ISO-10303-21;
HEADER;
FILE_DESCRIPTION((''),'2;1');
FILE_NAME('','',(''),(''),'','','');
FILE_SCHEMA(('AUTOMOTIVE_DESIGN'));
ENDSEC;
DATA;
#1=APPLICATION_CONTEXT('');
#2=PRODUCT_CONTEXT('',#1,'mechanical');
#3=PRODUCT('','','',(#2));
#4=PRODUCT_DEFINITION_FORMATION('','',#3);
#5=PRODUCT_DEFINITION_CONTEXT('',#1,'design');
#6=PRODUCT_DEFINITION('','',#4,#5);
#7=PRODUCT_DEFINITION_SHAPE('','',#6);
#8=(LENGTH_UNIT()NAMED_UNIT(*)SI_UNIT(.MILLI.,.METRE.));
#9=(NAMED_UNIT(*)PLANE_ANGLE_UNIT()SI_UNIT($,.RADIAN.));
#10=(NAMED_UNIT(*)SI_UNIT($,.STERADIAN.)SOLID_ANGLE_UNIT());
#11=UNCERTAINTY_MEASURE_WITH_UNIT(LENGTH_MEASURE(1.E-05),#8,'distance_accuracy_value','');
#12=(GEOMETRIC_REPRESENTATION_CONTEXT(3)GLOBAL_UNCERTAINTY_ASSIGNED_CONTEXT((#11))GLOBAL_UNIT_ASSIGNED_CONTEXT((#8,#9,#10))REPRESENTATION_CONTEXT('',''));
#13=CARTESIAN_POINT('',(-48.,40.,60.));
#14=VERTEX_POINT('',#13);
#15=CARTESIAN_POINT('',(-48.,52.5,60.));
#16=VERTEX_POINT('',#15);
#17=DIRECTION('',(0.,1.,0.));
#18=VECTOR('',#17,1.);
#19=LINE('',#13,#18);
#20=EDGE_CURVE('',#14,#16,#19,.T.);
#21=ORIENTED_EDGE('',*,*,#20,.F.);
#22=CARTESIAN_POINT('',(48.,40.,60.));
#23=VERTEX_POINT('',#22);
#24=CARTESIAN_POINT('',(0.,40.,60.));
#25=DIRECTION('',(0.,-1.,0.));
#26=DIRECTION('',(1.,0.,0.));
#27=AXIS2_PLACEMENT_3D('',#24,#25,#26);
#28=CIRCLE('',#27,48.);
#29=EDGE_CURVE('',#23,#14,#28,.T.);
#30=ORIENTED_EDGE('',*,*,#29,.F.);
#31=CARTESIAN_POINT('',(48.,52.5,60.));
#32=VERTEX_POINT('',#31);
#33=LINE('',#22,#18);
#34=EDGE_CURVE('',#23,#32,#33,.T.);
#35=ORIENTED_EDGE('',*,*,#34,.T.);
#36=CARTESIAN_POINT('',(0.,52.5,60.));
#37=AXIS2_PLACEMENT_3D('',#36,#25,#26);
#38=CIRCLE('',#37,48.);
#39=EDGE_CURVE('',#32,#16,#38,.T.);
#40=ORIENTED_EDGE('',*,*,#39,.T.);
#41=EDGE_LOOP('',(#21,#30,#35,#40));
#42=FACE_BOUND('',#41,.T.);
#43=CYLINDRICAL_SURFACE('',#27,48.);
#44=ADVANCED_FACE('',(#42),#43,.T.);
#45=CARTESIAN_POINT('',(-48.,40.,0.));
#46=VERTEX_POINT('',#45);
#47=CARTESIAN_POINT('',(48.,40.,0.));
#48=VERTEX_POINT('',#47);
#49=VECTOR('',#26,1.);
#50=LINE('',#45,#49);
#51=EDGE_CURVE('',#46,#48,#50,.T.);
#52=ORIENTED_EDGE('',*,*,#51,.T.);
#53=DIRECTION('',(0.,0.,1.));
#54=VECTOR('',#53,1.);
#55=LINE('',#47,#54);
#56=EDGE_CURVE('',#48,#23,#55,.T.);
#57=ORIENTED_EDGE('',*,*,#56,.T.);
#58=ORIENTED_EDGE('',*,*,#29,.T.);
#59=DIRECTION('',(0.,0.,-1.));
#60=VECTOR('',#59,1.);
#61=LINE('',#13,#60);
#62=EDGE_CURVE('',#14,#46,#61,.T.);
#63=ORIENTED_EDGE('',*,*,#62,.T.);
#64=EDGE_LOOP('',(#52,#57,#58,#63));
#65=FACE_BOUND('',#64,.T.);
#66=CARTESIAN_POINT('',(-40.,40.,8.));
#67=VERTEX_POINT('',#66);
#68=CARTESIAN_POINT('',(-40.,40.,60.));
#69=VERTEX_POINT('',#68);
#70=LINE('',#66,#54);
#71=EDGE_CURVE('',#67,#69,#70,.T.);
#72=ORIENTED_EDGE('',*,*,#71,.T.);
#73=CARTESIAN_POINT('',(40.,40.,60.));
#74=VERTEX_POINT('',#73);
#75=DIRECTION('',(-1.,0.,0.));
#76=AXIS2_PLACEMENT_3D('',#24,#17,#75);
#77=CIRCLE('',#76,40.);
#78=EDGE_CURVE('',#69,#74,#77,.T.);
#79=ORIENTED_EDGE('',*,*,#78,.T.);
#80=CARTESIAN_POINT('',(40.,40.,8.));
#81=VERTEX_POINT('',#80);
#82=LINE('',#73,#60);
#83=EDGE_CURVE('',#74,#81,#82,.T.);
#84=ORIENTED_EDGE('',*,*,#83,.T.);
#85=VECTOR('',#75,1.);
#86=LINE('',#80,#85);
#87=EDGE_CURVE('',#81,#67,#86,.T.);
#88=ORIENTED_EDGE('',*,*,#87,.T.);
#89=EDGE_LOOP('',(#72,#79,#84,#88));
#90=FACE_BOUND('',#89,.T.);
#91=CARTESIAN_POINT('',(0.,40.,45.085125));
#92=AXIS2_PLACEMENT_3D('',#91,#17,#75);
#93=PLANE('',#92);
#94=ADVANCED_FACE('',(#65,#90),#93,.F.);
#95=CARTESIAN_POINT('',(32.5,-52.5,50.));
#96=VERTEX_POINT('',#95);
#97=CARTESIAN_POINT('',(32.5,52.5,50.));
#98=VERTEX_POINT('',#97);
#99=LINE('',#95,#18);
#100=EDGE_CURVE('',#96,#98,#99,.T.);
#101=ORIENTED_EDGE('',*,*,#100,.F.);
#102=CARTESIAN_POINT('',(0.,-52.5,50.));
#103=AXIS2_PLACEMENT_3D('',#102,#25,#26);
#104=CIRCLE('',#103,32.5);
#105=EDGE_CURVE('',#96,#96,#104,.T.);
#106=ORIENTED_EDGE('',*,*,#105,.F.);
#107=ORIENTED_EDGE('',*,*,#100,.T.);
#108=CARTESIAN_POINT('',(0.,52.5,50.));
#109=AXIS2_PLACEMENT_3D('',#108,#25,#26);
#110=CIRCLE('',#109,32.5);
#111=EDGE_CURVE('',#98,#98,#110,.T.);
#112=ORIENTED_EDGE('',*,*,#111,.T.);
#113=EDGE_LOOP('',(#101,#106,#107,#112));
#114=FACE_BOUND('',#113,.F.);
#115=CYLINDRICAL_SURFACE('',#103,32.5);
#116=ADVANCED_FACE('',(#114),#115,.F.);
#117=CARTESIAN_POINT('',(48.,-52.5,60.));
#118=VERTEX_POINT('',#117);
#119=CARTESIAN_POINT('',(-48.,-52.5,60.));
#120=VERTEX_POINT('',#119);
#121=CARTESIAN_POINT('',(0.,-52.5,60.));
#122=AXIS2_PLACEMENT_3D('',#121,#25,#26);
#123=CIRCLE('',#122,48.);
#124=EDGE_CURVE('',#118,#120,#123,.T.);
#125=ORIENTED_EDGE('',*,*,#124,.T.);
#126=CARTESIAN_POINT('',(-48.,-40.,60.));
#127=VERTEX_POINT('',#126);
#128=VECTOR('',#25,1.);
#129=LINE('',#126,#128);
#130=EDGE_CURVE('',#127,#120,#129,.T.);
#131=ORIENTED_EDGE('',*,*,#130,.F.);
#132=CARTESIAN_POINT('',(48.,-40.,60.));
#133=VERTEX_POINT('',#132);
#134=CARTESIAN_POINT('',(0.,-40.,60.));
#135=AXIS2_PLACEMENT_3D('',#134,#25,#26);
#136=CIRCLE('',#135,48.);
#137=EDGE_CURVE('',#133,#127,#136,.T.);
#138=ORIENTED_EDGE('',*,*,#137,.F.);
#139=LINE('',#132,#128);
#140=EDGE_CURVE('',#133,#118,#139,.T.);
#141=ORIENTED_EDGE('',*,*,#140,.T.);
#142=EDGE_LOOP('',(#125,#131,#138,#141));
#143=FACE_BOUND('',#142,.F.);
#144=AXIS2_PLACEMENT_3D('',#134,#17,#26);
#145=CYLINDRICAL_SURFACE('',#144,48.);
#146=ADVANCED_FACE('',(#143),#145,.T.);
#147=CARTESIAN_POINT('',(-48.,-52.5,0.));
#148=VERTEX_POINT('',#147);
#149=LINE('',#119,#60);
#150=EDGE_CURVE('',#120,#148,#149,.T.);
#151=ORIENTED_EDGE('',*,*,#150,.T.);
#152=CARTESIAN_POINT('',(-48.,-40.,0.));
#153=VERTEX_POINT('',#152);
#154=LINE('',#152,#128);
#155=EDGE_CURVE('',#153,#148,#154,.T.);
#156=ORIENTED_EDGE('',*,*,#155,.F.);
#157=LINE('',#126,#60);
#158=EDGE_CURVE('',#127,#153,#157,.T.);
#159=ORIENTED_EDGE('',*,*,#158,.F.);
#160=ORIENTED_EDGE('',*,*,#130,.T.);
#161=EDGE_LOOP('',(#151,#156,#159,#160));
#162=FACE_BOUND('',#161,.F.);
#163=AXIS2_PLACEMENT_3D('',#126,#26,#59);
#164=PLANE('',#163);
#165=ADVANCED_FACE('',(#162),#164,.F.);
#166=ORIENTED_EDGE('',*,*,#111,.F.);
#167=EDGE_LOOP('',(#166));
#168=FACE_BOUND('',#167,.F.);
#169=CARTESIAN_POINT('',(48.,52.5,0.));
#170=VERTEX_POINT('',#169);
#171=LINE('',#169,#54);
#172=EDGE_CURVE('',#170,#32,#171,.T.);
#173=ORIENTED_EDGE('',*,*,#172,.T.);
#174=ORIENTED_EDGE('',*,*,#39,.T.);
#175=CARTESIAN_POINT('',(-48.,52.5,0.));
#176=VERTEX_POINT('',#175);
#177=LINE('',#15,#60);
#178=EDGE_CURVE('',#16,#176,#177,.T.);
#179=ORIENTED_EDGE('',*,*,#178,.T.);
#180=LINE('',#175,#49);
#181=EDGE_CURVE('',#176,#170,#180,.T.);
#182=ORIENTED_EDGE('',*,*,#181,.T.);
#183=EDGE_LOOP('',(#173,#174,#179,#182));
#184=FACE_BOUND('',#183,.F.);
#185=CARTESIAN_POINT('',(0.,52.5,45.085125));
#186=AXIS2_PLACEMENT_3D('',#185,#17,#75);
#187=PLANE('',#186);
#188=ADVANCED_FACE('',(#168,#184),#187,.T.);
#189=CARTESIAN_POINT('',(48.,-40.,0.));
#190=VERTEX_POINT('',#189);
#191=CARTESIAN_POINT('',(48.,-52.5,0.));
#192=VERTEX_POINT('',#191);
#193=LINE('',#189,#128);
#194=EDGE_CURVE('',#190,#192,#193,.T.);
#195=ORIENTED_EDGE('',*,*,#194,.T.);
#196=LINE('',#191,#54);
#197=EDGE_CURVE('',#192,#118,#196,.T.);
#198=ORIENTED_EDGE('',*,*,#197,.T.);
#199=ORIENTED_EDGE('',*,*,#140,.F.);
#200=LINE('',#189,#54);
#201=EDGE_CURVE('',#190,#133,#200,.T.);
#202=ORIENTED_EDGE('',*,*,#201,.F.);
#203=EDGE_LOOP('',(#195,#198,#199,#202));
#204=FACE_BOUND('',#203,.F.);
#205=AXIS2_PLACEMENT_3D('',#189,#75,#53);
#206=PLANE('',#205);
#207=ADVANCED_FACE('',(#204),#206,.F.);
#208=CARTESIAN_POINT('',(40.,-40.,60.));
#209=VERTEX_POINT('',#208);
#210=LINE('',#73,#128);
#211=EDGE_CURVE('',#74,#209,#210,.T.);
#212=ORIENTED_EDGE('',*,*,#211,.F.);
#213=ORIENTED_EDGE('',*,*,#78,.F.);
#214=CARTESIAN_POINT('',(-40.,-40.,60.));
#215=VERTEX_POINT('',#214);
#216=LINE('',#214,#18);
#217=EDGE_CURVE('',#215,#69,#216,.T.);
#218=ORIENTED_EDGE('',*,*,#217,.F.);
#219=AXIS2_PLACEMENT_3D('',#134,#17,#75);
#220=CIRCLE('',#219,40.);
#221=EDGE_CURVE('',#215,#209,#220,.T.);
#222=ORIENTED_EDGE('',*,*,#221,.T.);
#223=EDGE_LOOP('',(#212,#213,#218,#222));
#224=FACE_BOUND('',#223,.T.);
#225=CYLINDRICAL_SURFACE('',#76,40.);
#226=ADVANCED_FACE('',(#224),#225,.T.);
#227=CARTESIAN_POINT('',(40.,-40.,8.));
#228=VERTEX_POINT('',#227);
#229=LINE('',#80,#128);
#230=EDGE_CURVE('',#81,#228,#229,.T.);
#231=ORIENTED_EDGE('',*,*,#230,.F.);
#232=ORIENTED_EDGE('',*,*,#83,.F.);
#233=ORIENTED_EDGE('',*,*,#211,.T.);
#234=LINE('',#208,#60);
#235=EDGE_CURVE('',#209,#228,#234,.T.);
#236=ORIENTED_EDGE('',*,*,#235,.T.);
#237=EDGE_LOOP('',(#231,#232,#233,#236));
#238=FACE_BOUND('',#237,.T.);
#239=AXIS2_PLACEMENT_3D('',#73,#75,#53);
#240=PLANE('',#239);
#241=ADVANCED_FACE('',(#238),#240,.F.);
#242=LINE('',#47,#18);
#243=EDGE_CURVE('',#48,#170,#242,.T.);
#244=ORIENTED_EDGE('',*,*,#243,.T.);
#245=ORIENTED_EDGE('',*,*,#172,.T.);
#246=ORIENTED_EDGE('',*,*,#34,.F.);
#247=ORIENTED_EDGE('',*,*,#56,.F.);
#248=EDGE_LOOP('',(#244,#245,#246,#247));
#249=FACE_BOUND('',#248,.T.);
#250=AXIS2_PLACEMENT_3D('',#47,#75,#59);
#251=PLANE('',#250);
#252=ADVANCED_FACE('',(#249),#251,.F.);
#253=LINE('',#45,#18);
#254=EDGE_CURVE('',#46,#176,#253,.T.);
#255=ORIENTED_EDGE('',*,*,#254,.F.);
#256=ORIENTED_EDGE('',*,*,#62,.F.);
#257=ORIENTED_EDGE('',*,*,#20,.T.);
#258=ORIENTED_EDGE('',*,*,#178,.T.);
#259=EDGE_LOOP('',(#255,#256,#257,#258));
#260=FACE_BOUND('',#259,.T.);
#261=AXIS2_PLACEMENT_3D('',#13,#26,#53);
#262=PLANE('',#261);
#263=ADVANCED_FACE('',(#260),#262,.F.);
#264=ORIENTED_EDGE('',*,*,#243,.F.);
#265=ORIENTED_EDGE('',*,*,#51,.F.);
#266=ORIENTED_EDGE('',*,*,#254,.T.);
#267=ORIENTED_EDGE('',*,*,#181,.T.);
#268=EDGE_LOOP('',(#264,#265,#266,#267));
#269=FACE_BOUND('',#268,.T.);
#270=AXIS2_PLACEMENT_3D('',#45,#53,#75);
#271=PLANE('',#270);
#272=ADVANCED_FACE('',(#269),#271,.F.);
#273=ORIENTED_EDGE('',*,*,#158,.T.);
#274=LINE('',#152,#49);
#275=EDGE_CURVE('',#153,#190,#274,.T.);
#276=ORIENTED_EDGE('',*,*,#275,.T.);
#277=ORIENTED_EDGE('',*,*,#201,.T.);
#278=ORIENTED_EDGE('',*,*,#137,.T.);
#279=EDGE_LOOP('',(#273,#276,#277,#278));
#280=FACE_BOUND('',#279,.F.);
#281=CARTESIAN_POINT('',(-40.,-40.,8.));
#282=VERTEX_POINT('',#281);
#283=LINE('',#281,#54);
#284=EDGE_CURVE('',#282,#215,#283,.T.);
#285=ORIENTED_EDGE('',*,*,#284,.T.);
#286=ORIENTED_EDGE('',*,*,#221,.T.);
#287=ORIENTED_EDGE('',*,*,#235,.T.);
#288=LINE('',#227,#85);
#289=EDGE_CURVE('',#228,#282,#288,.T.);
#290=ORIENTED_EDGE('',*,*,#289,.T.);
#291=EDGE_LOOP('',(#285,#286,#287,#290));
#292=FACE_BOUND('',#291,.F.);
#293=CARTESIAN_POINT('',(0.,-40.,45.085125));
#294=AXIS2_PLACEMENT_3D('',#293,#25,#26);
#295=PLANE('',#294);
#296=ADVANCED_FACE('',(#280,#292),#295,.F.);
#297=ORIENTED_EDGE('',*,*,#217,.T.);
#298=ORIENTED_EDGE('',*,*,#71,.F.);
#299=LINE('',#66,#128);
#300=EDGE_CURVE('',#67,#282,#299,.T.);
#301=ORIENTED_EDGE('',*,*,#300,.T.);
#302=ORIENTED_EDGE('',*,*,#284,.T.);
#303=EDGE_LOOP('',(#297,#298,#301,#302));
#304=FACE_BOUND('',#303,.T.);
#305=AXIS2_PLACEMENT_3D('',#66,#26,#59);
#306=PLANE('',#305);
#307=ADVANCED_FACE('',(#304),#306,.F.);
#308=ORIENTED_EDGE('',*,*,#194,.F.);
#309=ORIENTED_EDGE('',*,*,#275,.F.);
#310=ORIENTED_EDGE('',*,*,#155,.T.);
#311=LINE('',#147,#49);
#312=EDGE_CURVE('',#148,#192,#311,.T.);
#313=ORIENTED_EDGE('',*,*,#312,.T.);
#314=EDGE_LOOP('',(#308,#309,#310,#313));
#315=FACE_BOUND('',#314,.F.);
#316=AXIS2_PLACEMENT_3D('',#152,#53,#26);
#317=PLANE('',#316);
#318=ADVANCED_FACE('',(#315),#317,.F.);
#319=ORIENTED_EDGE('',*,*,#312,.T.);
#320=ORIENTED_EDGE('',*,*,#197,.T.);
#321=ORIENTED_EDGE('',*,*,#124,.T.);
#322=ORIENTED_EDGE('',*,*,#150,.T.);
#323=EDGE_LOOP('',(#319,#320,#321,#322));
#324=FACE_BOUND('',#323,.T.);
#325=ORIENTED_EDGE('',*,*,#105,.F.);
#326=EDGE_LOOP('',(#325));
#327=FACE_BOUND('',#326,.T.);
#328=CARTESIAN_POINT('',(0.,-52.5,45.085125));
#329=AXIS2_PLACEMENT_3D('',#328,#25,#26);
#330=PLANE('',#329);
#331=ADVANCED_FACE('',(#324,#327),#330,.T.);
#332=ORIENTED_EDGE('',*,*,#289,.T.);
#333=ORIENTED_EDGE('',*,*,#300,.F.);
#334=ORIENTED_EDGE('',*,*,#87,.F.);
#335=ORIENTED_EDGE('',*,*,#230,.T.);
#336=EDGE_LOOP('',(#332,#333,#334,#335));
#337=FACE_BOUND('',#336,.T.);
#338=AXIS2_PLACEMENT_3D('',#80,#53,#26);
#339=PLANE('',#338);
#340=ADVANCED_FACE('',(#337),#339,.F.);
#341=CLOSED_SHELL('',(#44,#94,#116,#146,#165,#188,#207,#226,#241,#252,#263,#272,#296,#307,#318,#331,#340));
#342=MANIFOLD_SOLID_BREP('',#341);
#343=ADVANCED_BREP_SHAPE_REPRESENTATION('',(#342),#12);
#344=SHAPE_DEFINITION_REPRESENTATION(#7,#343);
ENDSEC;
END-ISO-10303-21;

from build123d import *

# Parameters (mm, degrees)
F2_DEPTH = 12.5
F4_DEPTH = 40
F6_R     = 32.5
F7_DEPTH = 105.001


with BuildPart() as f2:
    # F1 (on offset) → F2 (new body)
    with BuildSketch(Plane.XZ.offset(40)):
        with BuildLine():
            Line((48, 0), (48, 60))
            ThreePointArc((48, 60), (0, 108), (-48, 60))
            Line((-48, 60), (-48, 0))
            Line((-48, 0), (48, 0))
        make_face()
    extrude(amount=F2_DEPTH)

    # F3 (on face) → F4 (join, through all)
    with BuildSketch(Plane(origin=(0, -40, 0), x_dir=(-1, 0, 0), z_dir=(0, 1, 0))):
        with BuildLine():
            ThreePointArc((40, 60), (0, 100), (-40, 60))
            Line((-40, 60), (-40, 8))
            Line((-40, 8), (40, 8))
            Line((40, 8), (40, 60))
        make_face()
    extrude(amount=F4_DEPTH)

    # F5: F2 across plane


with BuildPart() as f2_1:
    add(f2.part)
    add(f2.part.mirror(Plane.XZ))

    # F6 (on face) → F7 (cut, through all)
    with BuildSketch(Plane.XZ.offset(52.5)):
        with Locations((0, 50)):
            Circle(F6_R)
    extrude(amount=-F7_DEPTH, mode=Mode.SUBTRACT)


solid = f2_1.part
